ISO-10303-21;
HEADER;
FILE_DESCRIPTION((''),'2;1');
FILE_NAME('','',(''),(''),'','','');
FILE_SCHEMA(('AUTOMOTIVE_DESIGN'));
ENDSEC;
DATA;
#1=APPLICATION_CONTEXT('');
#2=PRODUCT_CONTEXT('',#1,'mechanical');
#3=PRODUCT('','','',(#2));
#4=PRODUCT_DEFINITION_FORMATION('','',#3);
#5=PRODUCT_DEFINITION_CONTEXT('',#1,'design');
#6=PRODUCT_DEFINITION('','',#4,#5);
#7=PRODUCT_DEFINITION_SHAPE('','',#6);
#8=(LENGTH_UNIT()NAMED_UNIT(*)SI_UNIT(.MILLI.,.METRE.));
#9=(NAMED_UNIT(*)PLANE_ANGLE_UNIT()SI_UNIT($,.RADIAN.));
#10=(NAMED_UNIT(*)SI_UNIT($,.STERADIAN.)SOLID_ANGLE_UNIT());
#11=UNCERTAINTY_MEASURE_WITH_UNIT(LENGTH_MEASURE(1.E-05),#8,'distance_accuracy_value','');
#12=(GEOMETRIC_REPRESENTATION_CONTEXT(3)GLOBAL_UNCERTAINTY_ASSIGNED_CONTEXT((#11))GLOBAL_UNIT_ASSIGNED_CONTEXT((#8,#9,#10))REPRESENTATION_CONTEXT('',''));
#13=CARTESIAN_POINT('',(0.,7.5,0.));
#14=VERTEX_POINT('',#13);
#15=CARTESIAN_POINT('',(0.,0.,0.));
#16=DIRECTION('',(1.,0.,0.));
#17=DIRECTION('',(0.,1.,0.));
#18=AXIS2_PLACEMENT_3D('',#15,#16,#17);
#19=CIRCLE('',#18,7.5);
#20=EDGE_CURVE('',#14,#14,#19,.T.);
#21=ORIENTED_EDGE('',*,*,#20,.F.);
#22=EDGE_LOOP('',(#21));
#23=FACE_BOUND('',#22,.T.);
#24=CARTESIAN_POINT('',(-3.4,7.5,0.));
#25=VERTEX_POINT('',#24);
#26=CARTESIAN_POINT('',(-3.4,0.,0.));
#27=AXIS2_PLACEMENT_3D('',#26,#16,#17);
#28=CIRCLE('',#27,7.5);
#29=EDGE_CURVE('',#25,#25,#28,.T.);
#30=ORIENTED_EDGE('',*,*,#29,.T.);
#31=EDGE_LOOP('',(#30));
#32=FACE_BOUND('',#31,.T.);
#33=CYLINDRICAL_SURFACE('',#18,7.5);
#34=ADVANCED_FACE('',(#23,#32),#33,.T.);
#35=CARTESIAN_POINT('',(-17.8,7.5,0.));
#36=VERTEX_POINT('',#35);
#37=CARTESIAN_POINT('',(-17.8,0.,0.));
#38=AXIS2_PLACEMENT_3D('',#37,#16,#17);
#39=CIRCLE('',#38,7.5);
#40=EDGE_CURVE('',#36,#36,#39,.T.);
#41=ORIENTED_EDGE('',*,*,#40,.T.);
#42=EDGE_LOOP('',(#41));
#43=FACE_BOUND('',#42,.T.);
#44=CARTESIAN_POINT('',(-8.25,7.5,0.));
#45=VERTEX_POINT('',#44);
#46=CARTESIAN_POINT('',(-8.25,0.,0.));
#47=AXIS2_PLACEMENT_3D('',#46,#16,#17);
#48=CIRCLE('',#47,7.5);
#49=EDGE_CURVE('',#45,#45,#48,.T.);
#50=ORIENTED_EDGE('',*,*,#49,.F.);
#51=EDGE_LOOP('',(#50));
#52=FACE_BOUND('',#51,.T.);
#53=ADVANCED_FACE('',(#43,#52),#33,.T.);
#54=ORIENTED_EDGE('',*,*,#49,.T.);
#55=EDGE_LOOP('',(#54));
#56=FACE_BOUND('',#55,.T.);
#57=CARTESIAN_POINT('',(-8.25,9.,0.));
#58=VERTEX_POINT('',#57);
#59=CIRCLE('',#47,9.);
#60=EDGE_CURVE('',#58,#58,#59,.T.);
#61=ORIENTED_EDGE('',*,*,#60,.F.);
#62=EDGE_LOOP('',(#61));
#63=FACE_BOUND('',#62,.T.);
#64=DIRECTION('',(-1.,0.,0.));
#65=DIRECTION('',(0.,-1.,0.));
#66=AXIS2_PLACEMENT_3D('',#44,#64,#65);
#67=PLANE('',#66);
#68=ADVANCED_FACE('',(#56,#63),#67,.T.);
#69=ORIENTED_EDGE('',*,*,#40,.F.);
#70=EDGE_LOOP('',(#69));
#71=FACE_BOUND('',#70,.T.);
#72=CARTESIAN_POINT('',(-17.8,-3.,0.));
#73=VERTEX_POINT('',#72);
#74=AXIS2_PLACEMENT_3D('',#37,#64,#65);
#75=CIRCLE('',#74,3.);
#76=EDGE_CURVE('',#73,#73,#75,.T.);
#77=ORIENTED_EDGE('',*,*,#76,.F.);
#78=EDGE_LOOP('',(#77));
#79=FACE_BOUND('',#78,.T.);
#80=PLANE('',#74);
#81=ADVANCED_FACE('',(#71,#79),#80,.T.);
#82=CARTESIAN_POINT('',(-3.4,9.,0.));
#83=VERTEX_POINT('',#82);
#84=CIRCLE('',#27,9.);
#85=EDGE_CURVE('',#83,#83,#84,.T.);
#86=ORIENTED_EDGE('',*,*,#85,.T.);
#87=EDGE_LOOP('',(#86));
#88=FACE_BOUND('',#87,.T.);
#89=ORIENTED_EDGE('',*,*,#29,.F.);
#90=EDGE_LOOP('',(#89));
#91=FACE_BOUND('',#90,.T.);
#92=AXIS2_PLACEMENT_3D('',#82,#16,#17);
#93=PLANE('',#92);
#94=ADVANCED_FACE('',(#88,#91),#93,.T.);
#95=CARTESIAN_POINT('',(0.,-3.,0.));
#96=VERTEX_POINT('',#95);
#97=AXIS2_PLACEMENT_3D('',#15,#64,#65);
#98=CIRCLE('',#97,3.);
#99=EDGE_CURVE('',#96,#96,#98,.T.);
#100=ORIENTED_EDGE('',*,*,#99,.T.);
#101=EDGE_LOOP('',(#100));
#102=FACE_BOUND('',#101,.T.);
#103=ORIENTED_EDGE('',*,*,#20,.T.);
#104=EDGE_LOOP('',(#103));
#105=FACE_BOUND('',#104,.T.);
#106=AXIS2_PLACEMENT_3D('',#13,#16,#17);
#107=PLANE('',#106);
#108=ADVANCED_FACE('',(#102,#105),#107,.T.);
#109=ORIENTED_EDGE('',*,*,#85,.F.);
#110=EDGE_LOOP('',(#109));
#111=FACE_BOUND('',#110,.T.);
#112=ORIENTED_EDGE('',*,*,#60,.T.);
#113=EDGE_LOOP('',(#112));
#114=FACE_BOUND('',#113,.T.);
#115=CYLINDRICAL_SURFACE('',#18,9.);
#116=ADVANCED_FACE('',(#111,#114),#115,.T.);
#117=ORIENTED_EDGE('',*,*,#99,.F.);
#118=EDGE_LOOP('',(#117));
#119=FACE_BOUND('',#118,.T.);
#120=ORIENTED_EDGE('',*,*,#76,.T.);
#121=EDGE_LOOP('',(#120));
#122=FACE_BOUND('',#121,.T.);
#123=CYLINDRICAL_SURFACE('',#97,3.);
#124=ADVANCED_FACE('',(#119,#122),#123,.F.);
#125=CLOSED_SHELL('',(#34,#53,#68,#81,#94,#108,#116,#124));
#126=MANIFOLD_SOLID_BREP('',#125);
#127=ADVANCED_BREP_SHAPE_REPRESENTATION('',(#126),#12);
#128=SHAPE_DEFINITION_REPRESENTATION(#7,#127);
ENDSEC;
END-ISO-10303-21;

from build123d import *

# Parameters (mm, degrees)
SKETCH2_R          = 3
CUT_EXTRUDE1_DEPTH = 18.8


with BuildPart() as part:
    # Sketch1 → Revolve1 (revolve)
    with BuildSketch(Plane.XY):
        Polygon((-17.8, 0), (-17.8, 7.5), (-8.25, 7.5), (-8.25, 9), (-3.4, 9), (-3.4, 7.5), (0, 7.5), (0, 0), align=None)
    revolve(axis=Axis((0, 0, 0), (-1, 0, 0)))

    # Sketch2 → Cut-Extrude1 (cut, through all)
    with BuildSketch(Plane.ZY.offset(17.8)):
        Circle(SKETCH2_R)
    extrude(amount=-CUT_EXTRUDE1_DEPTH, mode=Mode.SUBTRACT)


solid = part.part
